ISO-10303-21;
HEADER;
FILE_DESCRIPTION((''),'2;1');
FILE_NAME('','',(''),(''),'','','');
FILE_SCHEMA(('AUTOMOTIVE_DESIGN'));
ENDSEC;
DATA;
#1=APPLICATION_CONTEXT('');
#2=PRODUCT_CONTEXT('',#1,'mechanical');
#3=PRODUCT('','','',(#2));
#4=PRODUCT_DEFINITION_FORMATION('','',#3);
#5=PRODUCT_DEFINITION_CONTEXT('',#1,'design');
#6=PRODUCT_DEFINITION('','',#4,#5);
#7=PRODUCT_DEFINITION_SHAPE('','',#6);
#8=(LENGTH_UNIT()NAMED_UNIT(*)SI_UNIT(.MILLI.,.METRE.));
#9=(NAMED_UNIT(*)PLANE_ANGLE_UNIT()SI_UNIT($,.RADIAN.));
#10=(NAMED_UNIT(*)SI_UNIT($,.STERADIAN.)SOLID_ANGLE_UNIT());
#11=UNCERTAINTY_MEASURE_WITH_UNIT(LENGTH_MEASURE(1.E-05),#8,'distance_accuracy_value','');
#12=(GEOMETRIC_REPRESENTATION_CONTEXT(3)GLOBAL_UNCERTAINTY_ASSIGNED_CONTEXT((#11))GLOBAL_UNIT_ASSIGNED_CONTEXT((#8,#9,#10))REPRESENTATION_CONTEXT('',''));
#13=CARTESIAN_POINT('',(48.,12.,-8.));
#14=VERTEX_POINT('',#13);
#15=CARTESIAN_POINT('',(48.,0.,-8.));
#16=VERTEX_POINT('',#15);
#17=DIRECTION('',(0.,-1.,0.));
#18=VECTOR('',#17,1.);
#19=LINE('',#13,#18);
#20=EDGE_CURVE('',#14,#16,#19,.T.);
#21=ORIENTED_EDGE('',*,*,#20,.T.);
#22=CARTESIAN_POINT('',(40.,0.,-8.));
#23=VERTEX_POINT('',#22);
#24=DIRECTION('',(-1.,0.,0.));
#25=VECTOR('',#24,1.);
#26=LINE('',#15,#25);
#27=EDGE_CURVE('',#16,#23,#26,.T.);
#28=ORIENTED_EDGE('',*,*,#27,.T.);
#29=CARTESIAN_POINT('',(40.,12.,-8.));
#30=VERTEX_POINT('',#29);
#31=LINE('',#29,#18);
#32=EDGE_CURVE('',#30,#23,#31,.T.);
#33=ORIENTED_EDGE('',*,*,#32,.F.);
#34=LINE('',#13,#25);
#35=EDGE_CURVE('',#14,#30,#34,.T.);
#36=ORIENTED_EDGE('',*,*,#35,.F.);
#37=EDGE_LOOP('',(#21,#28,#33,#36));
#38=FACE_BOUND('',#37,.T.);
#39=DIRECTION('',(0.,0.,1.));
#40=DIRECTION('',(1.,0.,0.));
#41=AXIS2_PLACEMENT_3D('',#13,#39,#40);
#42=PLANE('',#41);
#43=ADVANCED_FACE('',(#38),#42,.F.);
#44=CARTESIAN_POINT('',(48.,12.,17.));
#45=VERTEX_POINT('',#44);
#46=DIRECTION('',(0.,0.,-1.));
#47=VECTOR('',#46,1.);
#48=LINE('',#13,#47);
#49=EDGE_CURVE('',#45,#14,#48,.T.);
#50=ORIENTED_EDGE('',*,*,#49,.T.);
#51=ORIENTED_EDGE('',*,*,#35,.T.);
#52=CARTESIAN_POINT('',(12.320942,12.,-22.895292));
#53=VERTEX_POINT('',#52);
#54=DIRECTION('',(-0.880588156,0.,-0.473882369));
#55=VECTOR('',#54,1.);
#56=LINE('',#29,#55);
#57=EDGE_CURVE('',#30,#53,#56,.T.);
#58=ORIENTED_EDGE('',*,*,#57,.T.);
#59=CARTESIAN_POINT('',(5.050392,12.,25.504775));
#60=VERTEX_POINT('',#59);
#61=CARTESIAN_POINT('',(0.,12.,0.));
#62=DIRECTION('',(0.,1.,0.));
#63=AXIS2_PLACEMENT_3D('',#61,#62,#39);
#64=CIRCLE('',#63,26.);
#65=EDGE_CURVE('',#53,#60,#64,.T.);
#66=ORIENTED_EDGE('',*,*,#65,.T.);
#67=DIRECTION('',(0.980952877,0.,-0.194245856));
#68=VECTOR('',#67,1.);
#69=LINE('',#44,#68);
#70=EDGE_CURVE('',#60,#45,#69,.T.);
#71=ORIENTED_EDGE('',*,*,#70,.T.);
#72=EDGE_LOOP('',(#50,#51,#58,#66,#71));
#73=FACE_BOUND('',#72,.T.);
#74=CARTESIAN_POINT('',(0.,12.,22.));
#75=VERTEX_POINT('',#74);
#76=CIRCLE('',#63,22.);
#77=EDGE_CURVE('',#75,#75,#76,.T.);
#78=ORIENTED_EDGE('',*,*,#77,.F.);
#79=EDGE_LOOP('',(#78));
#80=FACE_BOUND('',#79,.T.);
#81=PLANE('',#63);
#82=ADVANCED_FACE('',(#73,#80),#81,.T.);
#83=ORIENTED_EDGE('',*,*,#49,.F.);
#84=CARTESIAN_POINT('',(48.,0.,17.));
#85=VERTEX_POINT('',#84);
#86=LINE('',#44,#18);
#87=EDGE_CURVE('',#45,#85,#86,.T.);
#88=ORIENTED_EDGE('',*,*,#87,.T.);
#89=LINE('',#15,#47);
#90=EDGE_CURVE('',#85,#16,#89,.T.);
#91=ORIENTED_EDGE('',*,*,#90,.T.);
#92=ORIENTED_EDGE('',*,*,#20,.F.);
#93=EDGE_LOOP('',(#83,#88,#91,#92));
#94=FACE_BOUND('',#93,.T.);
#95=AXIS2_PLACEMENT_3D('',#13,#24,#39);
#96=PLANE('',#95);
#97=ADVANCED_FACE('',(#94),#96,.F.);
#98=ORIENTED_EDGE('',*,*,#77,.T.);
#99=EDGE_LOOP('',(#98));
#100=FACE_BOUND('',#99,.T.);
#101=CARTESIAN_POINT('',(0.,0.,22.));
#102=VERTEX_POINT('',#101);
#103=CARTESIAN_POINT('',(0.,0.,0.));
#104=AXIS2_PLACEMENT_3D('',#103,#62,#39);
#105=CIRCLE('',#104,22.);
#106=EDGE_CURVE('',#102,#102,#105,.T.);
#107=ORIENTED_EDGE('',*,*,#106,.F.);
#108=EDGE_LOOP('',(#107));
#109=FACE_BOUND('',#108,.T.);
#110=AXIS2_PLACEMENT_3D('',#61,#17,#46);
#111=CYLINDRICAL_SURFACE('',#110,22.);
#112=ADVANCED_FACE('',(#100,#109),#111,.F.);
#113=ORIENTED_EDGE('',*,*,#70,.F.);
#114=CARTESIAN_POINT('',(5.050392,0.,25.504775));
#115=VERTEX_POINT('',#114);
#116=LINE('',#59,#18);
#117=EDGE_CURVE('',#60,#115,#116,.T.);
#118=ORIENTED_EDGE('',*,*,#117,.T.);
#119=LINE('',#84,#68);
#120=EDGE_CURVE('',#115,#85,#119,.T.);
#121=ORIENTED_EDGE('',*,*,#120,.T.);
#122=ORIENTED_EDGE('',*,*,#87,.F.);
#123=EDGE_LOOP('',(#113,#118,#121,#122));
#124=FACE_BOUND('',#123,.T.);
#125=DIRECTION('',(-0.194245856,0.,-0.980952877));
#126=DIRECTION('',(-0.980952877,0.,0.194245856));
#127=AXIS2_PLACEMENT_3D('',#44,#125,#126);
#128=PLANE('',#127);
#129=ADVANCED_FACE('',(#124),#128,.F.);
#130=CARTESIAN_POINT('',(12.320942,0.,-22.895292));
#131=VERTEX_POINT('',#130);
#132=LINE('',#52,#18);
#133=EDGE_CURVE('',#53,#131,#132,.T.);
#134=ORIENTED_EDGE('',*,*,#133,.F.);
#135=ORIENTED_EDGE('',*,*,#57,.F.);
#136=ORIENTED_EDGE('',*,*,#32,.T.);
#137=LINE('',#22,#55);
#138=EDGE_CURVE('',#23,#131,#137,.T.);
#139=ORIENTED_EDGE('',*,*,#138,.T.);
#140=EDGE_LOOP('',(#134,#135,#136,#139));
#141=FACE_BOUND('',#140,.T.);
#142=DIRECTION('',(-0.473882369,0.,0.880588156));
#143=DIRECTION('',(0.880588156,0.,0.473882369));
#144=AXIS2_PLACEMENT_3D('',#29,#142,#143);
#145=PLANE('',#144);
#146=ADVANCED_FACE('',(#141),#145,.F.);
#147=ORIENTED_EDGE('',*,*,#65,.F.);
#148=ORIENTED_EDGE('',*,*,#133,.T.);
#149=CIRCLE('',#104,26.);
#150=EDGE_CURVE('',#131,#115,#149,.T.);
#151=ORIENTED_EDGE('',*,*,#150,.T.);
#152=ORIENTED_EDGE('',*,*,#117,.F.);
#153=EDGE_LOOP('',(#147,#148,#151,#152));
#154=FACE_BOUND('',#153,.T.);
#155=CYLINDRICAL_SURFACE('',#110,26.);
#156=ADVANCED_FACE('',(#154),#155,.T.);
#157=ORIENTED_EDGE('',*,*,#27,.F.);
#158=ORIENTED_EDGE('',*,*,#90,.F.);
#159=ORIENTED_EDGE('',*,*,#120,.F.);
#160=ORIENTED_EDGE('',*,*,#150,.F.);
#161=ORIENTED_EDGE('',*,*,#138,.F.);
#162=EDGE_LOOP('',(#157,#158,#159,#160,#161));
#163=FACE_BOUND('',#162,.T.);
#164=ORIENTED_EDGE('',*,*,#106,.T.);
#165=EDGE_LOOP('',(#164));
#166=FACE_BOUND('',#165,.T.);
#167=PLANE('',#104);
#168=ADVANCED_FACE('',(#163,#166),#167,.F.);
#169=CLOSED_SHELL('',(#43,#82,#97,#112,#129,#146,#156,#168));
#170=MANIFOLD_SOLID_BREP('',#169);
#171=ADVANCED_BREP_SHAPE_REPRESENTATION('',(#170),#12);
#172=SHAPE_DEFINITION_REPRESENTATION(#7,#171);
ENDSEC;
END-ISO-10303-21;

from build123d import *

# Parameters (mm, degrees)
SKETCH1_R           = 22
BOSS_EXTRUDE1_DEPTH = 12


with BuildPart() as part:
    # Sketch1 → Boss-Extrude1 (new body)
    with BuildSketch(Plane(origin=(0, 0, 0), x_dir=(1, 0, 0), z_dir=(0, 1, 0))):
        with BuildLine():
            Line((48, 8), (40, 8))
            Line((40, 8), (12.320941588, 22.895292057))
            ThreePointArc((12.320941588, 22.895292057), (-25.711523254, 3.862327273), (5.050392255, -25.504774809))
            Line((5.050392255, -25.504774809), (48, -17))
            Line((48, -17), (48, 8))
        make_face()
        with Locations(Location((0, 0, 0), (0, 0, 270))):
            Circle(SKETCH1_R, mode=Mode.SUBTRACT)
    extrude(amount=BOSS_EXTRUDE1_DEPTH)


solid = part.part
